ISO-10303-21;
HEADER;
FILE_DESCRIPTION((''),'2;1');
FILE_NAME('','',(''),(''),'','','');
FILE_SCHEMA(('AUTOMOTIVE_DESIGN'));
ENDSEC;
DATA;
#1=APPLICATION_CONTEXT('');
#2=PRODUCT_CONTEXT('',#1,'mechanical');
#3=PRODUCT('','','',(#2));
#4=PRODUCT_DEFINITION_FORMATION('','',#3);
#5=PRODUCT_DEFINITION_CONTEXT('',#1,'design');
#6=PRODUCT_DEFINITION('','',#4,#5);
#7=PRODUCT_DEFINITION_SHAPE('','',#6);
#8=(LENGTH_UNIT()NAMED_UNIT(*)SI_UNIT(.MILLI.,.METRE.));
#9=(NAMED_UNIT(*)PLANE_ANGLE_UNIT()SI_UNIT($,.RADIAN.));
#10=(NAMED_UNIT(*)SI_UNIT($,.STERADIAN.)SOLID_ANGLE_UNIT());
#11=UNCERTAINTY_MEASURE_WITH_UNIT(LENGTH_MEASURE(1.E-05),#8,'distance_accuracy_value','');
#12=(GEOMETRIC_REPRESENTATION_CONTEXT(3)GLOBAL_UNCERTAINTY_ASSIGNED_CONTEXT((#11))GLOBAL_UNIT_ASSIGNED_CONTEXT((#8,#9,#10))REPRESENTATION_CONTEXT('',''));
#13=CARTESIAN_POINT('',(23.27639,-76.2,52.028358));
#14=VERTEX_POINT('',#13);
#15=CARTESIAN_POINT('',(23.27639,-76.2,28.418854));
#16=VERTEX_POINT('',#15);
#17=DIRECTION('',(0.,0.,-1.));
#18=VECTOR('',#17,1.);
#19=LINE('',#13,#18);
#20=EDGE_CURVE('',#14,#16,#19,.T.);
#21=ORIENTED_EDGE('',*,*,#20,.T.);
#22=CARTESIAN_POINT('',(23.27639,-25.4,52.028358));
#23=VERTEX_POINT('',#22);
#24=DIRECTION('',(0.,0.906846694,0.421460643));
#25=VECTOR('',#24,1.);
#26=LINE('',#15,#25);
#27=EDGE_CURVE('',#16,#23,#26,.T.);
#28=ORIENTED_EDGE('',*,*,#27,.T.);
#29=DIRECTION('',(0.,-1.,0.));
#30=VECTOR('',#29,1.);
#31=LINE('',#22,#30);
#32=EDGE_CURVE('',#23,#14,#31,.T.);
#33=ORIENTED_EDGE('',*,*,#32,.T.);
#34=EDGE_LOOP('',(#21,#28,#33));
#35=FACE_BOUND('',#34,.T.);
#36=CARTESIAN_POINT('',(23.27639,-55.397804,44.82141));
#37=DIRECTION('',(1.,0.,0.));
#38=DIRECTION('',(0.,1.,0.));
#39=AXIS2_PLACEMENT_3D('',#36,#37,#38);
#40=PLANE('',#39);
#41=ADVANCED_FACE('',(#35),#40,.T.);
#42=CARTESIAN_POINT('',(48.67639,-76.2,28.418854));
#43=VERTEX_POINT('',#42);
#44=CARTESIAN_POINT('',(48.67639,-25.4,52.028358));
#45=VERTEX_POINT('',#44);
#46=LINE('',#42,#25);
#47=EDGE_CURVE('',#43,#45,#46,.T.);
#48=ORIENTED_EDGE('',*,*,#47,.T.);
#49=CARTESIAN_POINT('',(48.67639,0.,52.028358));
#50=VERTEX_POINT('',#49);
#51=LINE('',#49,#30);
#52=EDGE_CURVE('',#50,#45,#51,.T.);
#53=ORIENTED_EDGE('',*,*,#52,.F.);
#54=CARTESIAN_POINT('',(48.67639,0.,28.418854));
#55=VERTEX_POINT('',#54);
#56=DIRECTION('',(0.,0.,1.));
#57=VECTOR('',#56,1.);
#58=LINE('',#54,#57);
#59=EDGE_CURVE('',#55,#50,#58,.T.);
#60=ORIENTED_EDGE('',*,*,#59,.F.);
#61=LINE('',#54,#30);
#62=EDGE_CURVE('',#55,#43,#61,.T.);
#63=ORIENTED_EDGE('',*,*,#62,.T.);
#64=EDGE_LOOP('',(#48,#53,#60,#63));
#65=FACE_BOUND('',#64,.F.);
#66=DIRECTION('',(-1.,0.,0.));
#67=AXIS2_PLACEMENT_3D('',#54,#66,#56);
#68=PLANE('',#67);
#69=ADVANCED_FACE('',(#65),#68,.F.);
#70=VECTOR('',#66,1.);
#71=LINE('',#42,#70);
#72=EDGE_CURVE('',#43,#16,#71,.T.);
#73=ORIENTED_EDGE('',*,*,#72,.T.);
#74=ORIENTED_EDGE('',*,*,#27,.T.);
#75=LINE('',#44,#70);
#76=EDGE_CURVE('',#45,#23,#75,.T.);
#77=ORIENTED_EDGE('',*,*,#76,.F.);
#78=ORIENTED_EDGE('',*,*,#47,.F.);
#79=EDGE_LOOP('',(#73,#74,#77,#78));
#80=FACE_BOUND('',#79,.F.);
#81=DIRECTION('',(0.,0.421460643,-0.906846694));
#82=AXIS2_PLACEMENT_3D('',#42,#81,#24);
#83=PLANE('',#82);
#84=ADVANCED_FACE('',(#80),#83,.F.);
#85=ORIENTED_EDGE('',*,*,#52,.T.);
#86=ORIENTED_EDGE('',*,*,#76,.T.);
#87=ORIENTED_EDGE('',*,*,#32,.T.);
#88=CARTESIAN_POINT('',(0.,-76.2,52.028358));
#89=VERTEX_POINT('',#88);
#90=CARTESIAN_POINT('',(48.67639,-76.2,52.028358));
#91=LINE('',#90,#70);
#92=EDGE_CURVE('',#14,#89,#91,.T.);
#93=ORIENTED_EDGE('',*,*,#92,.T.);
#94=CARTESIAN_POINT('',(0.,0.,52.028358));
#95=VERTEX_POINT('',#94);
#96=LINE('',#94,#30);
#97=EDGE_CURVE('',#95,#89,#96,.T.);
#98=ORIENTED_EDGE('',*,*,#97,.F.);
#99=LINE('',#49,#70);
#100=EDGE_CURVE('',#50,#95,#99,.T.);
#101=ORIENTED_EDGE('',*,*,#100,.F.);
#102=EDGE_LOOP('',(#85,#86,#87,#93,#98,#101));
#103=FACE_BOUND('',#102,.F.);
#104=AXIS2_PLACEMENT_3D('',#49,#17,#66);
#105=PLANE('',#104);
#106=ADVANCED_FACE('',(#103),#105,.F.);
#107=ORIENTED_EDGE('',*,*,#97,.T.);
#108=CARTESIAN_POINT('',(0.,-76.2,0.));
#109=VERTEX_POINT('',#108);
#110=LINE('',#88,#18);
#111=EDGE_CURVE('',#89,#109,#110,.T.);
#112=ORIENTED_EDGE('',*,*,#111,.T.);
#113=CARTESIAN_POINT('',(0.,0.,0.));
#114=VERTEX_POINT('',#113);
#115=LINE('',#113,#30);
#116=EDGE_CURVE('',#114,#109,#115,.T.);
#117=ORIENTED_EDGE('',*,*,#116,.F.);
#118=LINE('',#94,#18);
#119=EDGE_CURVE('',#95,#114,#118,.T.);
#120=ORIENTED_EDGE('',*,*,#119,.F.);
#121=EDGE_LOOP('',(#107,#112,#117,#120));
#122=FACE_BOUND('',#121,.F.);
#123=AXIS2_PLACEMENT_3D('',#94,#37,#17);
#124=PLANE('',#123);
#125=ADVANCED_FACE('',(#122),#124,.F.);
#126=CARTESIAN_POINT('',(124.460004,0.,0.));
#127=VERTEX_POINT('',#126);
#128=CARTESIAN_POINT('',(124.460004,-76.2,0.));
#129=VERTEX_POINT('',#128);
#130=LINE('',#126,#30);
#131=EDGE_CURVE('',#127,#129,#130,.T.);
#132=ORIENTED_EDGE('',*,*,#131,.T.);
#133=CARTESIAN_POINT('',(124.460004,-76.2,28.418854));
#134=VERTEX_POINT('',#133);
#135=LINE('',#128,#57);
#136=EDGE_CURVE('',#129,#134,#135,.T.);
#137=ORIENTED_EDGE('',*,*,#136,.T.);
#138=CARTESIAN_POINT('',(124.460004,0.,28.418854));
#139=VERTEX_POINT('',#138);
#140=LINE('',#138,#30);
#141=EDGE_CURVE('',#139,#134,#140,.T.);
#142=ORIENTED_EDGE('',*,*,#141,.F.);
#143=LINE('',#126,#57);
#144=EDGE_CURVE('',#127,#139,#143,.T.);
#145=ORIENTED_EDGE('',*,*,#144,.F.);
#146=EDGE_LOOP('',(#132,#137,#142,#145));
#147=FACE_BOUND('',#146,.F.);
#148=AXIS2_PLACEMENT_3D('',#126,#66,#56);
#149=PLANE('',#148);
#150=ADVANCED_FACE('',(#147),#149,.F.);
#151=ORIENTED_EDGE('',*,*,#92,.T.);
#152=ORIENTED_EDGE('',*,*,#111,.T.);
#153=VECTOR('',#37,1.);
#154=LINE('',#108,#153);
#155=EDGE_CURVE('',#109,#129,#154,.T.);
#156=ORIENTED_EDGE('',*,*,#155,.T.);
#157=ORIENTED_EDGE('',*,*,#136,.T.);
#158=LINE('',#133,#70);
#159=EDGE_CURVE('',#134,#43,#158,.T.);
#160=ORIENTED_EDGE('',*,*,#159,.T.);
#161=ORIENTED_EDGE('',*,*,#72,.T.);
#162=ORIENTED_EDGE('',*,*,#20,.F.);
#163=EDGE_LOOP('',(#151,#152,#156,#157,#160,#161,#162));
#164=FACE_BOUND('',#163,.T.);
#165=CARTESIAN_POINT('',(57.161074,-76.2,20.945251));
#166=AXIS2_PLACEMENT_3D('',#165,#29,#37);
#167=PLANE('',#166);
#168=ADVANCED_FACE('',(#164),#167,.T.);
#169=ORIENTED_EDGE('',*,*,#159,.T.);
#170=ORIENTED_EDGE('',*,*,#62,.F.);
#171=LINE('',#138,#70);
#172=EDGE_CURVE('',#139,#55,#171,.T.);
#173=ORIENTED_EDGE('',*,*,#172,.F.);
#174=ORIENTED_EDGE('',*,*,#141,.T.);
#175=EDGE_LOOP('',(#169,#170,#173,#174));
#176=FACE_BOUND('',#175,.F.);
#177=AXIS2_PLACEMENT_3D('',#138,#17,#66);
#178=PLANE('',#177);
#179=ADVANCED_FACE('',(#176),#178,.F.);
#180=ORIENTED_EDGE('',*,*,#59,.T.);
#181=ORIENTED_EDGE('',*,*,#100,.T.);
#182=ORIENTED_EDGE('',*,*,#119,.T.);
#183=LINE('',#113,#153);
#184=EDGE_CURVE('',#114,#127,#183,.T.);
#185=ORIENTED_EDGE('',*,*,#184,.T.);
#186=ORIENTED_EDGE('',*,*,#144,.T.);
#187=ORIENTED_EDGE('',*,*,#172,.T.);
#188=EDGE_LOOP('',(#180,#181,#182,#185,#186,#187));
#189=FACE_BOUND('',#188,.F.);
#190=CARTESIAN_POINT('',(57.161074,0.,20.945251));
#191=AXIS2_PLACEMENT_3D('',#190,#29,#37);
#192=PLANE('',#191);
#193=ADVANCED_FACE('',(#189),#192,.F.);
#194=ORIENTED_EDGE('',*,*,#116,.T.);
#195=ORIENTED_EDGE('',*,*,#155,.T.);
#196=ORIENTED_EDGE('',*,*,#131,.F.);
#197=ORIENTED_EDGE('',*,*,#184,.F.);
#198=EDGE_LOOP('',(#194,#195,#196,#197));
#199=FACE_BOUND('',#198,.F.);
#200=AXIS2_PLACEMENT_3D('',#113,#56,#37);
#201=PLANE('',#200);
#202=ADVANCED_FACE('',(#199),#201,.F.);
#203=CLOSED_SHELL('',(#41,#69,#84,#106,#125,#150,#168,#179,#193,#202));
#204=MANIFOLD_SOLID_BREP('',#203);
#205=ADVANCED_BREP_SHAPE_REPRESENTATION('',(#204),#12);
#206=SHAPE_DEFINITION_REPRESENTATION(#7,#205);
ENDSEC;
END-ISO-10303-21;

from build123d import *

# Parameters (mm, degrees)
F1_DEPTH = 76.2
F3_DEPTH = 25.4


with BuildPart() as f1:
    # F0 (on Front) → F1 (new body)
    with BuildSketch(Plane.XZ):
        Polygon((0, 52.028358), (0, 0), (124.460004, 0), (124.460004, 28.418854), (48.67639, 28.418854), (48.67639, 52.028358), align=None)
    extrude(amount=F1_DEPTH)

    # F2 (on face) → F3 (cut)
    with BuildSketch(Plane.YZ.offset(48.67639)):
        Polygon((-76.2, 28.418854), (-25.4, 52.028358), (-76.2, 52.028358), align=None)
    extrude(amount=-F3_DEPTH, mode=Mode.SUBTRACT)


solid = f1.part
